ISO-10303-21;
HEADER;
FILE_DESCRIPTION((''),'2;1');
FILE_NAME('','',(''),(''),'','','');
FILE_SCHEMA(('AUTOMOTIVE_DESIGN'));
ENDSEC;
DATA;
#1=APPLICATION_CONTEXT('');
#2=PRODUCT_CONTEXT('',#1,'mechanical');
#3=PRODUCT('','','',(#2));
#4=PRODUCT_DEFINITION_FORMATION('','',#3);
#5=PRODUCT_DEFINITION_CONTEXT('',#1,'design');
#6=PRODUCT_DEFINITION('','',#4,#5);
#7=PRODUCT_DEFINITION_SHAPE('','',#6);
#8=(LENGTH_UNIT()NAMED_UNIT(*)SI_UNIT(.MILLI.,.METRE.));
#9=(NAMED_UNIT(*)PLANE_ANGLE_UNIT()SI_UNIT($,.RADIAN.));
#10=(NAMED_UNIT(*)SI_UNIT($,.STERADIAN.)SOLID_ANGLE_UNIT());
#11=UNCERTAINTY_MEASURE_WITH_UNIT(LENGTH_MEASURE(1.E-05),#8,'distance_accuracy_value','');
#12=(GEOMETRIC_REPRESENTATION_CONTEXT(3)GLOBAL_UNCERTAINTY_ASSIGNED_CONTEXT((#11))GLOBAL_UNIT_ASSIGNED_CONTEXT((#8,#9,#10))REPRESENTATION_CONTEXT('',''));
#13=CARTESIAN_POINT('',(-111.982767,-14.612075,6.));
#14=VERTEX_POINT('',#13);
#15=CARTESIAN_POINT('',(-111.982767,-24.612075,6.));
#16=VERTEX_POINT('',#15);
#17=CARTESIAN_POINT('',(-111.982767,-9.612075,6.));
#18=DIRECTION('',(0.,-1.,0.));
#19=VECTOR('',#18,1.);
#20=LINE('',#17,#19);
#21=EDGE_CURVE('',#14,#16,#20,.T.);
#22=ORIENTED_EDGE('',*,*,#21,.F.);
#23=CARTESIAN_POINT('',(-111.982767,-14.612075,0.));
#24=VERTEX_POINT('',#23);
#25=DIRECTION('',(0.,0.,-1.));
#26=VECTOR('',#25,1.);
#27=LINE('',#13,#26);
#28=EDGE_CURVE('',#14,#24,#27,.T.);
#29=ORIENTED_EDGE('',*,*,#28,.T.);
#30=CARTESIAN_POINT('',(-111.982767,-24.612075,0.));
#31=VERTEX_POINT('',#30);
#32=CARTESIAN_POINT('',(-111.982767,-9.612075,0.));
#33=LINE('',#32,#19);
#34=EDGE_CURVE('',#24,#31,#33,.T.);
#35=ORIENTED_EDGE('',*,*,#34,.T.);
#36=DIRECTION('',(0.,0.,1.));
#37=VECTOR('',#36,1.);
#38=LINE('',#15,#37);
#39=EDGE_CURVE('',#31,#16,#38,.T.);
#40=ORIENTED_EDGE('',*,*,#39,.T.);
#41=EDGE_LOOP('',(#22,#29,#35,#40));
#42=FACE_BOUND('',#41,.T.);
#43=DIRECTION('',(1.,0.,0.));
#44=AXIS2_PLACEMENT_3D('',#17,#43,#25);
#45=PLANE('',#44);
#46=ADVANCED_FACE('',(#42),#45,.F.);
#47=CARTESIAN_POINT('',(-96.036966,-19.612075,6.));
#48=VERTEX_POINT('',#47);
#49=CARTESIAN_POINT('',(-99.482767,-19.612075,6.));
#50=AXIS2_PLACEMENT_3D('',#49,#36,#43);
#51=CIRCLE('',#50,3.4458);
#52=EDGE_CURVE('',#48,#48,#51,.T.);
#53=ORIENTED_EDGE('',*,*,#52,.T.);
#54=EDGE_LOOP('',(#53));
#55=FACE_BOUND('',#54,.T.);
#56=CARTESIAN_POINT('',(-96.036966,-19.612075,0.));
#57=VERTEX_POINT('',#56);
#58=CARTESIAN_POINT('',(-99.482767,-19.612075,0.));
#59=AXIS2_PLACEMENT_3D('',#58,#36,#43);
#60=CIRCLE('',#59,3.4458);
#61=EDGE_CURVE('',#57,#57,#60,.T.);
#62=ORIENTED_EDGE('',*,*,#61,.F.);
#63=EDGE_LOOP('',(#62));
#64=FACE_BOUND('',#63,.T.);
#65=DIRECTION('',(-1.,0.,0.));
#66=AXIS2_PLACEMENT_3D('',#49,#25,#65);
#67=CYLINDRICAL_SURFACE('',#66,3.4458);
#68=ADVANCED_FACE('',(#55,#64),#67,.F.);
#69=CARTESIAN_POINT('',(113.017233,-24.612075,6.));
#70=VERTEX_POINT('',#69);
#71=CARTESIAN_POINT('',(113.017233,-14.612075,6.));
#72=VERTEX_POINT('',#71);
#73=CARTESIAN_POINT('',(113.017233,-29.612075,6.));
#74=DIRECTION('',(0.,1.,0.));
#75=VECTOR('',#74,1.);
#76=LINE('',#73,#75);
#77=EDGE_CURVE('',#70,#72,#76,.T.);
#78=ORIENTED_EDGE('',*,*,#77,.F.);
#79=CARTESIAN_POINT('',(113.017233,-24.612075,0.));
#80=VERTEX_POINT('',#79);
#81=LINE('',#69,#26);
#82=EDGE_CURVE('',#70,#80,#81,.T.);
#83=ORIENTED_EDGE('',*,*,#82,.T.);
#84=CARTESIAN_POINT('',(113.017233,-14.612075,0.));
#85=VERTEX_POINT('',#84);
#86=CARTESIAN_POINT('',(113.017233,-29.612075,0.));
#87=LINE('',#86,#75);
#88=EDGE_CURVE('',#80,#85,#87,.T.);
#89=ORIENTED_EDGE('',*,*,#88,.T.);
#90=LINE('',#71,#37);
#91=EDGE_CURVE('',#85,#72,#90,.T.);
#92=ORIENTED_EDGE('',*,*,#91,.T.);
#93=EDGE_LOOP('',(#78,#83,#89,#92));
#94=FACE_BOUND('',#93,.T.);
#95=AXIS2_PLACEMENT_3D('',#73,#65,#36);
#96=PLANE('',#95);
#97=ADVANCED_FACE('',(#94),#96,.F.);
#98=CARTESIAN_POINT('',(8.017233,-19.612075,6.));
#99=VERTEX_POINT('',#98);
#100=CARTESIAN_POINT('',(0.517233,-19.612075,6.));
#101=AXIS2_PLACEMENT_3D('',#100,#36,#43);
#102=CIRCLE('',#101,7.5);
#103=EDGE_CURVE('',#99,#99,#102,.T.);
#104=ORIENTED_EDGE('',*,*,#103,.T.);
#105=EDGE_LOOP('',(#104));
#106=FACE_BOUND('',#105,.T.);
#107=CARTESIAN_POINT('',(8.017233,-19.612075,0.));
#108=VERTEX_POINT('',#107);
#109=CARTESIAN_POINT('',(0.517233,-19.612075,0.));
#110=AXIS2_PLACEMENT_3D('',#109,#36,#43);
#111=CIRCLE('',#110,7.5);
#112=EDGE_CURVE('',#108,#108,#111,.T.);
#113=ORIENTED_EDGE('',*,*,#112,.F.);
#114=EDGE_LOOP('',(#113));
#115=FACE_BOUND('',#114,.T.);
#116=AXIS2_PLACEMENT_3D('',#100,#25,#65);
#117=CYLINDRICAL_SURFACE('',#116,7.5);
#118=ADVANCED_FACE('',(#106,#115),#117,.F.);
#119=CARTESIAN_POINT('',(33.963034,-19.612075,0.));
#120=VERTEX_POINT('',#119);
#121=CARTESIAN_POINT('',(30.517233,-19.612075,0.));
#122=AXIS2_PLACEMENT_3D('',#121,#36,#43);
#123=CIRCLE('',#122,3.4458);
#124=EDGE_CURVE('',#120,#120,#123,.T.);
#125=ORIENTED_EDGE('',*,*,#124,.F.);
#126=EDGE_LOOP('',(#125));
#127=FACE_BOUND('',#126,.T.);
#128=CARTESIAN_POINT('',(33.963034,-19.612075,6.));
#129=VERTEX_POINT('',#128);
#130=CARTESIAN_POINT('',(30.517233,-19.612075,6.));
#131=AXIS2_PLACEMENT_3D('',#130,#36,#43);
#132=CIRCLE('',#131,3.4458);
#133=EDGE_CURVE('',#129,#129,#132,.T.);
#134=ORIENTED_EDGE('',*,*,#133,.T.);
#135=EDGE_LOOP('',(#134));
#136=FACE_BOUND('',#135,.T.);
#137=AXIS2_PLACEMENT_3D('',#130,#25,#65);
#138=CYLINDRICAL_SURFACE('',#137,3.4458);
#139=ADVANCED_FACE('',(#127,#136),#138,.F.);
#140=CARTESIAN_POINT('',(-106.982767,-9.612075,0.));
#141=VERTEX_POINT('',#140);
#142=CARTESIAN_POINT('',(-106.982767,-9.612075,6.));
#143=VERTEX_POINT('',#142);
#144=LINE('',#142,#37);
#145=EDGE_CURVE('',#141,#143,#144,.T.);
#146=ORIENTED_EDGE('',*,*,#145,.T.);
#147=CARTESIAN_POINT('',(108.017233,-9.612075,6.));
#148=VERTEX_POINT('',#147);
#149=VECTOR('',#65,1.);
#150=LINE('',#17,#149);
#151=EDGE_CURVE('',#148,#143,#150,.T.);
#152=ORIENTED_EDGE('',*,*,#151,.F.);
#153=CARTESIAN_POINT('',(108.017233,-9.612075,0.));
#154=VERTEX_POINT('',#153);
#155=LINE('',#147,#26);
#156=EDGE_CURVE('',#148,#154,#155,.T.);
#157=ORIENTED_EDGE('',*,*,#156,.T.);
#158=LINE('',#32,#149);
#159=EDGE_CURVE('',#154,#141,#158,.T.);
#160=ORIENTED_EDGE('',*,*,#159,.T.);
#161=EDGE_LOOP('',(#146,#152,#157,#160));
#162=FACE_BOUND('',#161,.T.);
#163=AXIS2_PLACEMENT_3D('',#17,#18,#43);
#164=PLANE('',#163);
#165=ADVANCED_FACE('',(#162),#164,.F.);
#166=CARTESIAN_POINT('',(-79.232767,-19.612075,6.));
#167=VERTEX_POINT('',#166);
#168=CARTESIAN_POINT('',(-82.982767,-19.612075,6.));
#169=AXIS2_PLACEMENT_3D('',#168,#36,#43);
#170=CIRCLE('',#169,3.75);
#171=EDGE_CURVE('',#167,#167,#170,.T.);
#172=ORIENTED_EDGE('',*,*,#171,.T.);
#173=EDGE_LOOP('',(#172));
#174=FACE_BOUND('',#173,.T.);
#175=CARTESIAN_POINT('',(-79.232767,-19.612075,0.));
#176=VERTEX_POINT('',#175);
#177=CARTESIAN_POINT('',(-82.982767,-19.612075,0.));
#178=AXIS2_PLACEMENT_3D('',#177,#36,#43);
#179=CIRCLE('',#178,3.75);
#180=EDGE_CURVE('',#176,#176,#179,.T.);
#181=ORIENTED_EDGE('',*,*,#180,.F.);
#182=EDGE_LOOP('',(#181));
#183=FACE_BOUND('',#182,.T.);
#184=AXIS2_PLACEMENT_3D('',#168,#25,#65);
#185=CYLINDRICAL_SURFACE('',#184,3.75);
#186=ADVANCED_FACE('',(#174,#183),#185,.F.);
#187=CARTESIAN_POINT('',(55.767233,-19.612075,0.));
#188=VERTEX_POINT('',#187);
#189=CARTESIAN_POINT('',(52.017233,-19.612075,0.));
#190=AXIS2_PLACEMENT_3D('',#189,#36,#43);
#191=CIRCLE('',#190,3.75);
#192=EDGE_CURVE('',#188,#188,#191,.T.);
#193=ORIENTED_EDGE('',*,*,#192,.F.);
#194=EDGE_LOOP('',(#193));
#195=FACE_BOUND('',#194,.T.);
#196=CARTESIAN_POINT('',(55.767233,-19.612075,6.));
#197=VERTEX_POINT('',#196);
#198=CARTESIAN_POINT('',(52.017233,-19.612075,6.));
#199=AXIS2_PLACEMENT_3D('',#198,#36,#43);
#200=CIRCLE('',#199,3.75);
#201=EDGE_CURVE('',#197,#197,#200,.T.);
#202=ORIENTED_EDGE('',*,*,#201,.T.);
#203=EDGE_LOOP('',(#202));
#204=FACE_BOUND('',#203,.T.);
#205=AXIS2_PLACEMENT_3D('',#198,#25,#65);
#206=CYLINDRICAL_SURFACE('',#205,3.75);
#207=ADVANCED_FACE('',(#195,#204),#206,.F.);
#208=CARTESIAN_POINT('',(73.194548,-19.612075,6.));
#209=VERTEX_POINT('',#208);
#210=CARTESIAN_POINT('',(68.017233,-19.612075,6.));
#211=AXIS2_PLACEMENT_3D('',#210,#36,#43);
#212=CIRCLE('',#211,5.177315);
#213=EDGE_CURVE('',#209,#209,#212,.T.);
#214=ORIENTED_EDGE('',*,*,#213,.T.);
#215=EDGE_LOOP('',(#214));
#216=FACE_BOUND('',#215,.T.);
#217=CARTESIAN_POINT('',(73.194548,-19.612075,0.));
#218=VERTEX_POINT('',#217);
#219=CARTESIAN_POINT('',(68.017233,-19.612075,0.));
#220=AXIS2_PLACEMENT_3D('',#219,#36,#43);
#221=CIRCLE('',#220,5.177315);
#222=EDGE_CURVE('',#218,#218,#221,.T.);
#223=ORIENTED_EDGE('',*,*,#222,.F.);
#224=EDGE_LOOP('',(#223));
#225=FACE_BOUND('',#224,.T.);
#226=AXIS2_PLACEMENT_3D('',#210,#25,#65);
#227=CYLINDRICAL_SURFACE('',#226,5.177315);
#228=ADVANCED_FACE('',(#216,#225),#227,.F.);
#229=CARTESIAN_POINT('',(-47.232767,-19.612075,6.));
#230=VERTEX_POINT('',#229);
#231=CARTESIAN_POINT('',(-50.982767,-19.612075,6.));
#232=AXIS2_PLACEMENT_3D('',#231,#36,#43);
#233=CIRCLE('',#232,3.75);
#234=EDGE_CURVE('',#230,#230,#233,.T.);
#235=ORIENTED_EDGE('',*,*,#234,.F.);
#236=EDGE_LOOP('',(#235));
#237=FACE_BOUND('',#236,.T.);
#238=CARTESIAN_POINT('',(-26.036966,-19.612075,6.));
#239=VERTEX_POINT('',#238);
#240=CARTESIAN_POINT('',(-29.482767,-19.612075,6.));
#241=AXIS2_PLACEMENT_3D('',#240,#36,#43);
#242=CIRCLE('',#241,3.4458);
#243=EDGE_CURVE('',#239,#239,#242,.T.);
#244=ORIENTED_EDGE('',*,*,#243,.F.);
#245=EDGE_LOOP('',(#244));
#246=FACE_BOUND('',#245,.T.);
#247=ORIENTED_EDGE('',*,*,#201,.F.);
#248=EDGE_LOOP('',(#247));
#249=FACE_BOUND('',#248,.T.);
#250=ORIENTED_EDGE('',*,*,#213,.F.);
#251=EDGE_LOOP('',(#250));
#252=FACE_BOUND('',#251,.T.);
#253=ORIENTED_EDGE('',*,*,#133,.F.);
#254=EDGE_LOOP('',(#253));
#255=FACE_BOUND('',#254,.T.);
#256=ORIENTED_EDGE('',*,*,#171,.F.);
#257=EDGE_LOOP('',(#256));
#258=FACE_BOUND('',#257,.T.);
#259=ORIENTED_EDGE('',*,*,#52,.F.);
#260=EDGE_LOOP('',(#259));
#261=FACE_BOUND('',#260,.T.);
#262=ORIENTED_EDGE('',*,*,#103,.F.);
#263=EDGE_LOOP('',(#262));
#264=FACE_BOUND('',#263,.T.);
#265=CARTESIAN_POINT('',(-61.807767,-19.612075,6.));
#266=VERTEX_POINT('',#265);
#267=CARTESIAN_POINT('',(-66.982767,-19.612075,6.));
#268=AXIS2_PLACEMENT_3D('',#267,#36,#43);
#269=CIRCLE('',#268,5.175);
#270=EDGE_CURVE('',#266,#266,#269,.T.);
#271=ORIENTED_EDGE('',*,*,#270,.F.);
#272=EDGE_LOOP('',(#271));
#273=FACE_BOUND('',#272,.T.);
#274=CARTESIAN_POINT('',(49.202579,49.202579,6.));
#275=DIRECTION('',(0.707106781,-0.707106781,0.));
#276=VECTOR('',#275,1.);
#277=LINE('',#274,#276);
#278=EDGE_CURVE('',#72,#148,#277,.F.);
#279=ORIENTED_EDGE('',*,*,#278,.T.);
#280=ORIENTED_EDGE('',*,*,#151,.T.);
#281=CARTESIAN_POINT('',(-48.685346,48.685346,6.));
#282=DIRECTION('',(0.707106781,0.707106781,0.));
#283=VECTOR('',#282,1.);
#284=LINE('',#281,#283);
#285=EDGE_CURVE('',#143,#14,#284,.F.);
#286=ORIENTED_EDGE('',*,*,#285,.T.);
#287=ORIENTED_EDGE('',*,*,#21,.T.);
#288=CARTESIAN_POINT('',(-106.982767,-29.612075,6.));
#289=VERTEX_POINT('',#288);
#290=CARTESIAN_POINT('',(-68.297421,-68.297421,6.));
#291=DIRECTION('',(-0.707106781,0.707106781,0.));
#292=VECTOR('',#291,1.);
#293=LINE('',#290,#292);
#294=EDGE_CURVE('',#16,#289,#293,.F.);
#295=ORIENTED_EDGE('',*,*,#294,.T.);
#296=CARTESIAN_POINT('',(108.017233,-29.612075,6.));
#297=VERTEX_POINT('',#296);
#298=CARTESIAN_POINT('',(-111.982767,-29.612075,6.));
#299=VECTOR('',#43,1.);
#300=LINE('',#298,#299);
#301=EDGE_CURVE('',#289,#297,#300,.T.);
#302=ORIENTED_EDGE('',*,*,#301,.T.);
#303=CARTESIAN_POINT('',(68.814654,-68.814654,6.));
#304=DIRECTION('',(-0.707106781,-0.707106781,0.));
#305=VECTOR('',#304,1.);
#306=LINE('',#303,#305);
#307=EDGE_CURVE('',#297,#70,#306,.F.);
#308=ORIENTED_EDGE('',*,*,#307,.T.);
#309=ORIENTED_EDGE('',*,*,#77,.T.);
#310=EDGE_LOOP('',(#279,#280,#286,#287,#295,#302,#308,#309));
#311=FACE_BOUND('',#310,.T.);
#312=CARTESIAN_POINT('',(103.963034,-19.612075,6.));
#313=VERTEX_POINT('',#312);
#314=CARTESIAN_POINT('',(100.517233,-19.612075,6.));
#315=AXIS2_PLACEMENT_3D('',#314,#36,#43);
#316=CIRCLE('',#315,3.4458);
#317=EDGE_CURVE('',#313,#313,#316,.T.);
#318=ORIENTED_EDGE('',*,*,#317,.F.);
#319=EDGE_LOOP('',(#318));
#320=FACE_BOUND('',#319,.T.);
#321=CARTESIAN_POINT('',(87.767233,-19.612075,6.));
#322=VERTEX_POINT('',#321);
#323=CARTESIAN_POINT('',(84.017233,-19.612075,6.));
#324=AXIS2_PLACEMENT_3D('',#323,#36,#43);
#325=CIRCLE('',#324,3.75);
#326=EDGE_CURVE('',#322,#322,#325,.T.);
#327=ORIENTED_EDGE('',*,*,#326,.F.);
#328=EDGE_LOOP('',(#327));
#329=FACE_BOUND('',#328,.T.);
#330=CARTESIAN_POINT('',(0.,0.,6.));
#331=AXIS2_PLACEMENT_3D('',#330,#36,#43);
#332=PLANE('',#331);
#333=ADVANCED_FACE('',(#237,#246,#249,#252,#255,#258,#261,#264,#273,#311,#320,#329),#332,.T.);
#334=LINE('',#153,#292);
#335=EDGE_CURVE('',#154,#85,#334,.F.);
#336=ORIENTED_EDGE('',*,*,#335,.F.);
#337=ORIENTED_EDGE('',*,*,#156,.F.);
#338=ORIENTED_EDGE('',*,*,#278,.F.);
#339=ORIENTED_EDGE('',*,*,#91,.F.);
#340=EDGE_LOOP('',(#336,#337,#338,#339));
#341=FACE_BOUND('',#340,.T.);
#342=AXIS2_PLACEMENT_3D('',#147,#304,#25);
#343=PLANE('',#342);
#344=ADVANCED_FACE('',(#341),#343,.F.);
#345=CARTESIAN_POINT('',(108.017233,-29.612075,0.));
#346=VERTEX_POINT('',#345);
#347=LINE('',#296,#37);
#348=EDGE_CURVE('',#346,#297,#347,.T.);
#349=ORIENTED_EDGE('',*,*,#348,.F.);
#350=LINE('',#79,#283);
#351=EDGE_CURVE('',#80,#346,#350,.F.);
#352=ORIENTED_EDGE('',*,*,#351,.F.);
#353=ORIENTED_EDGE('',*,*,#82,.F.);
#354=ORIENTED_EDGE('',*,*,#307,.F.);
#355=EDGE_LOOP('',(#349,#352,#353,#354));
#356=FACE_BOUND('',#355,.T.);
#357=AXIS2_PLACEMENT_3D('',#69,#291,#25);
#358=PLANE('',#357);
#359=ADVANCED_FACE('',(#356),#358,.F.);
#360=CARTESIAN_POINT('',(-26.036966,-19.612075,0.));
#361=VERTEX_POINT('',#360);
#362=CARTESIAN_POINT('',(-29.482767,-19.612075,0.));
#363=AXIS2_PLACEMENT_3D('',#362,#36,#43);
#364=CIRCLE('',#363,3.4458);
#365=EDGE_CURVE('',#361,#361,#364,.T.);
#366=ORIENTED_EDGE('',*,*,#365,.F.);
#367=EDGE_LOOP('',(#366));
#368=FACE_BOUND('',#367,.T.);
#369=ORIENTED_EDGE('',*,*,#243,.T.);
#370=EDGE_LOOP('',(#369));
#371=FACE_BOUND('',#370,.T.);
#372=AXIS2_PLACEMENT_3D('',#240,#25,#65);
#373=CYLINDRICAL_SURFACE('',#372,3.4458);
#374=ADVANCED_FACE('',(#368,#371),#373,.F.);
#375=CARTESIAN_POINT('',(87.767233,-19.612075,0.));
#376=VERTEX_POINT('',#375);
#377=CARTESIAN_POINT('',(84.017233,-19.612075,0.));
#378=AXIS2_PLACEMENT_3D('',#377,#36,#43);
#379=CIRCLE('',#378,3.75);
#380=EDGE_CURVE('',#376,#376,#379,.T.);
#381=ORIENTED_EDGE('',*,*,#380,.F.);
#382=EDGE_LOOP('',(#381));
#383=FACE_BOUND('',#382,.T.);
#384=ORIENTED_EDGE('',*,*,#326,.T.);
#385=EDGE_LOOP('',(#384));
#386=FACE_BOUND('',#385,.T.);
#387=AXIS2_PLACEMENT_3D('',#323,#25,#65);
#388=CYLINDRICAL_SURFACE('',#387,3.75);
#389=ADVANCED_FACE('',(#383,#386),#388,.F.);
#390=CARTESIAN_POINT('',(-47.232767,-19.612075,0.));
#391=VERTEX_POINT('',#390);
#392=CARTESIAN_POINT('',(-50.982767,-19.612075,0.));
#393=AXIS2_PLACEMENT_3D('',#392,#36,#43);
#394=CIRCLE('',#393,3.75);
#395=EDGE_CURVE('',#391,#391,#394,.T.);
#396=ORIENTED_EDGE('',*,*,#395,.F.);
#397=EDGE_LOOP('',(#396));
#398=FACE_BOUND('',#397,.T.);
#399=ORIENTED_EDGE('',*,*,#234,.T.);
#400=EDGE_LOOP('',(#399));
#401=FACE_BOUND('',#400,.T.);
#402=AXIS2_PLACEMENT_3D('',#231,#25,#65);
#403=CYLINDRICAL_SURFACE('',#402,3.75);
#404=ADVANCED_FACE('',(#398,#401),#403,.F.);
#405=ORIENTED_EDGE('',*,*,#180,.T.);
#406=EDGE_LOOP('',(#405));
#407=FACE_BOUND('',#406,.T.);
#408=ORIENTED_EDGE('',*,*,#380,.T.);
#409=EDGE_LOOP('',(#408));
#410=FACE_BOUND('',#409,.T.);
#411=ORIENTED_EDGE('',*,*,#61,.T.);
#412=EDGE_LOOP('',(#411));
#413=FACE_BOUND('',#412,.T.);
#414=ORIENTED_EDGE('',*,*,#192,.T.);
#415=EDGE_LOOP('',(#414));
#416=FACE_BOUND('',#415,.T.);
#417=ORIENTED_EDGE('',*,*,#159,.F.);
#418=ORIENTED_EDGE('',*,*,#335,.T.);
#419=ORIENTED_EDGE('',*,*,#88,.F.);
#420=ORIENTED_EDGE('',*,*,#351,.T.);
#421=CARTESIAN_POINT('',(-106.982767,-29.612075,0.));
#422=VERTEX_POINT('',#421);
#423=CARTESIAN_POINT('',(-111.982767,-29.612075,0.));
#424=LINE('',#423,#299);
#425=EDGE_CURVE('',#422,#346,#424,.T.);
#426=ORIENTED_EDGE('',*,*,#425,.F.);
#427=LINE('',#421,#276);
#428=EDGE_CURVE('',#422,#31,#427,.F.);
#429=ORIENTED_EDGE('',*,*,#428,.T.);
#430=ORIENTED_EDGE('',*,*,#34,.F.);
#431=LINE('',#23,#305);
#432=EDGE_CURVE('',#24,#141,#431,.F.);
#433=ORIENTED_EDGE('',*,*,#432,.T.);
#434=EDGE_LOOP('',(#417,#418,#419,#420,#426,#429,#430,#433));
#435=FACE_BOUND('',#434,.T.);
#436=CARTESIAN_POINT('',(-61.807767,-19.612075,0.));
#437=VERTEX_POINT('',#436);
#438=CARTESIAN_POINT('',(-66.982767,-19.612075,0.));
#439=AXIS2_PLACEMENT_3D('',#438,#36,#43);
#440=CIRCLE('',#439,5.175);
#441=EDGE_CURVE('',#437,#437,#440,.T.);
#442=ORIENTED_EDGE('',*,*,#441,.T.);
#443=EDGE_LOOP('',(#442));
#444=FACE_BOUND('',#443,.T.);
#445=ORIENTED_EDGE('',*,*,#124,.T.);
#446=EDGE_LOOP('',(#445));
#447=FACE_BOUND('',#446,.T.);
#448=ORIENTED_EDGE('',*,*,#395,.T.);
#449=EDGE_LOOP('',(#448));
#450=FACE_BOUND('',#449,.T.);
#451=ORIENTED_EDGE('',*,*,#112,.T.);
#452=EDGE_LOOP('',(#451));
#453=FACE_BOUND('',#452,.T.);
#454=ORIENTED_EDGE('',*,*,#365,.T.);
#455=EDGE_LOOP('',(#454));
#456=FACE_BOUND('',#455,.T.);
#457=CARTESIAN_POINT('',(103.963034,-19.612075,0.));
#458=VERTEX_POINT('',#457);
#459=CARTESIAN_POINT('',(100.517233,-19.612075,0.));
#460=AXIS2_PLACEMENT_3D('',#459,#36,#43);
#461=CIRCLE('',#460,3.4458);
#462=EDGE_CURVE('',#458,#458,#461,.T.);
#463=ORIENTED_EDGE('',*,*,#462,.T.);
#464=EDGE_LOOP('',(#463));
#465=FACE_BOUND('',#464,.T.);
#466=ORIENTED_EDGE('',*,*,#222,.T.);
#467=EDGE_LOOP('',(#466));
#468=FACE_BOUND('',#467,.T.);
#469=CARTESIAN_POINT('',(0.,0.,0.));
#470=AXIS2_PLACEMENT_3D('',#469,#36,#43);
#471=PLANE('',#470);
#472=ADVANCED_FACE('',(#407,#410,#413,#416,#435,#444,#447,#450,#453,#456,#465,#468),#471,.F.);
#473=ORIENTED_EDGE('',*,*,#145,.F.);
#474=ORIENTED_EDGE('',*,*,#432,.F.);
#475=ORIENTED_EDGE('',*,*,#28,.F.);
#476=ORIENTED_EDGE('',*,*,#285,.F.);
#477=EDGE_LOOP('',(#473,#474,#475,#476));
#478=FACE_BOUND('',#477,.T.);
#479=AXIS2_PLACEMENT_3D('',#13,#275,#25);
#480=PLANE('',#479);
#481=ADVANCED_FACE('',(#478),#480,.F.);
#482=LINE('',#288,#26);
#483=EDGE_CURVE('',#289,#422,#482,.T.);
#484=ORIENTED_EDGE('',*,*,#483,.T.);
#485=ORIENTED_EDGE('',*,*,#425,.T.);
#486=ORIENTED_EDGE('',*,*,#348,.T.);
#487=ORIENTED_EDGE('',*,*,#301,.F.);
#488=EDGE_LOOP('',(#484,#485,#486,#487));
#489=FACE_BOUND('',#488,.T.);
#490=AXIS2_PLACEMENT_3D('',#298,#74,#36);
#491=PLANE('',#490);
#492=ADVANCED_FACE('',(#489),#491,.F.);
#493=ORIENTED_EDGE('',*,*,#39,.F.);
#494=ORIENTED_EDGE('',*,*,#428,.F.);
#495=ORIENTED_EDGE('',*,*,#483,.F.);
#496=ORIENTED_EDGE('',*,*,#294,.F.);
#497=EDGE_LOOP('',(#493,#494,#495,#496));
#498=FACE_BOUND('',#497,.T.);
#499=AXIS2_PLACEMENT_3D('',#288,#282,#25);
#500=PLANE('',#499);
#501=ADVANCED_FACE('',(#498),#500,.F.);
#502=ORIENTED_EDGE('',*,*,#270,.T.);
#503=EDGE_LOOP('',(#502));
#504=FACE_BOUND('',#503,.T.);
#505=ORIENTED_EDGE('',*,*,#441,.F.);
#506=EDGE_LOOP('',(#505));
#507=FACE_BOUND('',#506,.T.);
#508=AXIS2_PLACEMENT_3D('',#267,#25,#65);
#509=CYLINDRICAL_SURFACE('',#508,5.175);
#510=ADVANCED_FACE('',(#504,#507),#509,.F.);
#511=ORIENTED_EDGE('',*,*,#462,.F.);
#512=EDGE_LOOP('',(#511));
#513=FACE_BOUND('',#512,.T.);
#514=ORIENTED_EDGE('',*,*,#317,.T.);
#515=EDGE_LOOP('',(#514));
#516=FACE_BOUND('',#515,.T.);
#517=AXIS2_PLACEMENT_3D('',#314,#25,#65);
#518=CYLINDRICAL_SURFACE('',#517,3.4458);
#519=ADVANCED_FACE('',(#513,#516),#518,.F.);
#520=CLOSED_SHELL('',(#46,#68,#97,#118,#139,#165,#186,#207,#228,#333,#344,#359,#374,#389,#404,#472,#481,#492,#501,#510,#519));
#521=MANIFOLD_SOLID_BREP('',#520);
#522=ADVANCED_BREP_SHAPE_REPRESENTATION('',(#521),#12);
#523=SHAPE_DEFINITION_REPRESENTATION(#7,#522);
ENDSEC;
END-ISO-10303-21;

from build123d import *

# Parameters (mm, degrees)
SKETCH1_W           = 225
SKETCH1_H           = 20
SKETCH1_R           = 3.75
SKETCH1_R_2         = 5.177315147
SKETCH1_R_3         = 5.175
SKETCH1_R_4         = 3.445800431
SKETCH1_R_5         = 7.5
BOSS_EXTRUDE1_DEPTH = 6
CHAMFER1_SIZE       = 5


with BuildPart() as part:
    # Sketch1 → Boss-Extrude1 (new body)
    with BuildSketch(Plane.XY):
        with Locations((0.517233183, -19.612075113)):
            Rectangle(SKETCH1_W, SKETCH1_H)
        with Locations((84.017233183, -19.612075113)):
            Circle(SKETCH1_R, mode=Mode.SUBTRACT)
        with Locations((52.017233183, -19.612075113)):
            Circle(SKETCH1_R, mode=Mode.SUBTRACT)
        with Locations((68.017233183, -19.612075113)):
            Circle(SKETCH1_R_2, mode=Mode.SUBTRACT)
        with Locations((-50.982766817, -19.612075113)):
            Circle(SKETCH1_R, mode=Mode.SUBTRACT)
        with Locations((-82.982766817, -19.612075113)):
            Circle(SKETCH1_R, mode=Mode.SUBTRACT)
        with Locations((-66.982766817, -19.612075113)):
            Circle(SKETCH1_R_3, mode=Mode.SUBTRACT)
        with Locations((30.517233183, -19.612075113)):
            Circle(SKETCH1_R_4, mode=Mode.SUBTRACT)
        with Locations((-29.482766817, -19.612075113)):
            Circle(SKETCH1_R_4, mode=Mode.SUBTRACT)
        with Locations((100.517233183, -19.612075113)):
            Circle(SKETCH1_R_4, mode=Mode.SUBTRACT)
        with Locations((-99.482766817, -19.612075113)):
            Circle(SKETCH1_R_4, mode=Mode.SUBTRACT)
        with Locations((0.517233183, -19.612075113)):
            Circle(SKETCH1_R_5, mode=Mode.SUBTRACT)
    extrude(amount=BOSS_EXTRUDE1_DEPTH)

    # Chamfer1
    chamfer1_edges = [part.edges().sort_by_distance(p)[0] for p in [
        (-111.982766817, -9.612075113, 3),
        (113.017233183, -9.612075113, 3),
        (113.017233183, -29.612075113, 3),
        (-111.982766817, -29.612075113, 3),
    ]]
    chamfer(chamfer1_edges, length=CHAMFER1_SIZE)


solid = part.part
